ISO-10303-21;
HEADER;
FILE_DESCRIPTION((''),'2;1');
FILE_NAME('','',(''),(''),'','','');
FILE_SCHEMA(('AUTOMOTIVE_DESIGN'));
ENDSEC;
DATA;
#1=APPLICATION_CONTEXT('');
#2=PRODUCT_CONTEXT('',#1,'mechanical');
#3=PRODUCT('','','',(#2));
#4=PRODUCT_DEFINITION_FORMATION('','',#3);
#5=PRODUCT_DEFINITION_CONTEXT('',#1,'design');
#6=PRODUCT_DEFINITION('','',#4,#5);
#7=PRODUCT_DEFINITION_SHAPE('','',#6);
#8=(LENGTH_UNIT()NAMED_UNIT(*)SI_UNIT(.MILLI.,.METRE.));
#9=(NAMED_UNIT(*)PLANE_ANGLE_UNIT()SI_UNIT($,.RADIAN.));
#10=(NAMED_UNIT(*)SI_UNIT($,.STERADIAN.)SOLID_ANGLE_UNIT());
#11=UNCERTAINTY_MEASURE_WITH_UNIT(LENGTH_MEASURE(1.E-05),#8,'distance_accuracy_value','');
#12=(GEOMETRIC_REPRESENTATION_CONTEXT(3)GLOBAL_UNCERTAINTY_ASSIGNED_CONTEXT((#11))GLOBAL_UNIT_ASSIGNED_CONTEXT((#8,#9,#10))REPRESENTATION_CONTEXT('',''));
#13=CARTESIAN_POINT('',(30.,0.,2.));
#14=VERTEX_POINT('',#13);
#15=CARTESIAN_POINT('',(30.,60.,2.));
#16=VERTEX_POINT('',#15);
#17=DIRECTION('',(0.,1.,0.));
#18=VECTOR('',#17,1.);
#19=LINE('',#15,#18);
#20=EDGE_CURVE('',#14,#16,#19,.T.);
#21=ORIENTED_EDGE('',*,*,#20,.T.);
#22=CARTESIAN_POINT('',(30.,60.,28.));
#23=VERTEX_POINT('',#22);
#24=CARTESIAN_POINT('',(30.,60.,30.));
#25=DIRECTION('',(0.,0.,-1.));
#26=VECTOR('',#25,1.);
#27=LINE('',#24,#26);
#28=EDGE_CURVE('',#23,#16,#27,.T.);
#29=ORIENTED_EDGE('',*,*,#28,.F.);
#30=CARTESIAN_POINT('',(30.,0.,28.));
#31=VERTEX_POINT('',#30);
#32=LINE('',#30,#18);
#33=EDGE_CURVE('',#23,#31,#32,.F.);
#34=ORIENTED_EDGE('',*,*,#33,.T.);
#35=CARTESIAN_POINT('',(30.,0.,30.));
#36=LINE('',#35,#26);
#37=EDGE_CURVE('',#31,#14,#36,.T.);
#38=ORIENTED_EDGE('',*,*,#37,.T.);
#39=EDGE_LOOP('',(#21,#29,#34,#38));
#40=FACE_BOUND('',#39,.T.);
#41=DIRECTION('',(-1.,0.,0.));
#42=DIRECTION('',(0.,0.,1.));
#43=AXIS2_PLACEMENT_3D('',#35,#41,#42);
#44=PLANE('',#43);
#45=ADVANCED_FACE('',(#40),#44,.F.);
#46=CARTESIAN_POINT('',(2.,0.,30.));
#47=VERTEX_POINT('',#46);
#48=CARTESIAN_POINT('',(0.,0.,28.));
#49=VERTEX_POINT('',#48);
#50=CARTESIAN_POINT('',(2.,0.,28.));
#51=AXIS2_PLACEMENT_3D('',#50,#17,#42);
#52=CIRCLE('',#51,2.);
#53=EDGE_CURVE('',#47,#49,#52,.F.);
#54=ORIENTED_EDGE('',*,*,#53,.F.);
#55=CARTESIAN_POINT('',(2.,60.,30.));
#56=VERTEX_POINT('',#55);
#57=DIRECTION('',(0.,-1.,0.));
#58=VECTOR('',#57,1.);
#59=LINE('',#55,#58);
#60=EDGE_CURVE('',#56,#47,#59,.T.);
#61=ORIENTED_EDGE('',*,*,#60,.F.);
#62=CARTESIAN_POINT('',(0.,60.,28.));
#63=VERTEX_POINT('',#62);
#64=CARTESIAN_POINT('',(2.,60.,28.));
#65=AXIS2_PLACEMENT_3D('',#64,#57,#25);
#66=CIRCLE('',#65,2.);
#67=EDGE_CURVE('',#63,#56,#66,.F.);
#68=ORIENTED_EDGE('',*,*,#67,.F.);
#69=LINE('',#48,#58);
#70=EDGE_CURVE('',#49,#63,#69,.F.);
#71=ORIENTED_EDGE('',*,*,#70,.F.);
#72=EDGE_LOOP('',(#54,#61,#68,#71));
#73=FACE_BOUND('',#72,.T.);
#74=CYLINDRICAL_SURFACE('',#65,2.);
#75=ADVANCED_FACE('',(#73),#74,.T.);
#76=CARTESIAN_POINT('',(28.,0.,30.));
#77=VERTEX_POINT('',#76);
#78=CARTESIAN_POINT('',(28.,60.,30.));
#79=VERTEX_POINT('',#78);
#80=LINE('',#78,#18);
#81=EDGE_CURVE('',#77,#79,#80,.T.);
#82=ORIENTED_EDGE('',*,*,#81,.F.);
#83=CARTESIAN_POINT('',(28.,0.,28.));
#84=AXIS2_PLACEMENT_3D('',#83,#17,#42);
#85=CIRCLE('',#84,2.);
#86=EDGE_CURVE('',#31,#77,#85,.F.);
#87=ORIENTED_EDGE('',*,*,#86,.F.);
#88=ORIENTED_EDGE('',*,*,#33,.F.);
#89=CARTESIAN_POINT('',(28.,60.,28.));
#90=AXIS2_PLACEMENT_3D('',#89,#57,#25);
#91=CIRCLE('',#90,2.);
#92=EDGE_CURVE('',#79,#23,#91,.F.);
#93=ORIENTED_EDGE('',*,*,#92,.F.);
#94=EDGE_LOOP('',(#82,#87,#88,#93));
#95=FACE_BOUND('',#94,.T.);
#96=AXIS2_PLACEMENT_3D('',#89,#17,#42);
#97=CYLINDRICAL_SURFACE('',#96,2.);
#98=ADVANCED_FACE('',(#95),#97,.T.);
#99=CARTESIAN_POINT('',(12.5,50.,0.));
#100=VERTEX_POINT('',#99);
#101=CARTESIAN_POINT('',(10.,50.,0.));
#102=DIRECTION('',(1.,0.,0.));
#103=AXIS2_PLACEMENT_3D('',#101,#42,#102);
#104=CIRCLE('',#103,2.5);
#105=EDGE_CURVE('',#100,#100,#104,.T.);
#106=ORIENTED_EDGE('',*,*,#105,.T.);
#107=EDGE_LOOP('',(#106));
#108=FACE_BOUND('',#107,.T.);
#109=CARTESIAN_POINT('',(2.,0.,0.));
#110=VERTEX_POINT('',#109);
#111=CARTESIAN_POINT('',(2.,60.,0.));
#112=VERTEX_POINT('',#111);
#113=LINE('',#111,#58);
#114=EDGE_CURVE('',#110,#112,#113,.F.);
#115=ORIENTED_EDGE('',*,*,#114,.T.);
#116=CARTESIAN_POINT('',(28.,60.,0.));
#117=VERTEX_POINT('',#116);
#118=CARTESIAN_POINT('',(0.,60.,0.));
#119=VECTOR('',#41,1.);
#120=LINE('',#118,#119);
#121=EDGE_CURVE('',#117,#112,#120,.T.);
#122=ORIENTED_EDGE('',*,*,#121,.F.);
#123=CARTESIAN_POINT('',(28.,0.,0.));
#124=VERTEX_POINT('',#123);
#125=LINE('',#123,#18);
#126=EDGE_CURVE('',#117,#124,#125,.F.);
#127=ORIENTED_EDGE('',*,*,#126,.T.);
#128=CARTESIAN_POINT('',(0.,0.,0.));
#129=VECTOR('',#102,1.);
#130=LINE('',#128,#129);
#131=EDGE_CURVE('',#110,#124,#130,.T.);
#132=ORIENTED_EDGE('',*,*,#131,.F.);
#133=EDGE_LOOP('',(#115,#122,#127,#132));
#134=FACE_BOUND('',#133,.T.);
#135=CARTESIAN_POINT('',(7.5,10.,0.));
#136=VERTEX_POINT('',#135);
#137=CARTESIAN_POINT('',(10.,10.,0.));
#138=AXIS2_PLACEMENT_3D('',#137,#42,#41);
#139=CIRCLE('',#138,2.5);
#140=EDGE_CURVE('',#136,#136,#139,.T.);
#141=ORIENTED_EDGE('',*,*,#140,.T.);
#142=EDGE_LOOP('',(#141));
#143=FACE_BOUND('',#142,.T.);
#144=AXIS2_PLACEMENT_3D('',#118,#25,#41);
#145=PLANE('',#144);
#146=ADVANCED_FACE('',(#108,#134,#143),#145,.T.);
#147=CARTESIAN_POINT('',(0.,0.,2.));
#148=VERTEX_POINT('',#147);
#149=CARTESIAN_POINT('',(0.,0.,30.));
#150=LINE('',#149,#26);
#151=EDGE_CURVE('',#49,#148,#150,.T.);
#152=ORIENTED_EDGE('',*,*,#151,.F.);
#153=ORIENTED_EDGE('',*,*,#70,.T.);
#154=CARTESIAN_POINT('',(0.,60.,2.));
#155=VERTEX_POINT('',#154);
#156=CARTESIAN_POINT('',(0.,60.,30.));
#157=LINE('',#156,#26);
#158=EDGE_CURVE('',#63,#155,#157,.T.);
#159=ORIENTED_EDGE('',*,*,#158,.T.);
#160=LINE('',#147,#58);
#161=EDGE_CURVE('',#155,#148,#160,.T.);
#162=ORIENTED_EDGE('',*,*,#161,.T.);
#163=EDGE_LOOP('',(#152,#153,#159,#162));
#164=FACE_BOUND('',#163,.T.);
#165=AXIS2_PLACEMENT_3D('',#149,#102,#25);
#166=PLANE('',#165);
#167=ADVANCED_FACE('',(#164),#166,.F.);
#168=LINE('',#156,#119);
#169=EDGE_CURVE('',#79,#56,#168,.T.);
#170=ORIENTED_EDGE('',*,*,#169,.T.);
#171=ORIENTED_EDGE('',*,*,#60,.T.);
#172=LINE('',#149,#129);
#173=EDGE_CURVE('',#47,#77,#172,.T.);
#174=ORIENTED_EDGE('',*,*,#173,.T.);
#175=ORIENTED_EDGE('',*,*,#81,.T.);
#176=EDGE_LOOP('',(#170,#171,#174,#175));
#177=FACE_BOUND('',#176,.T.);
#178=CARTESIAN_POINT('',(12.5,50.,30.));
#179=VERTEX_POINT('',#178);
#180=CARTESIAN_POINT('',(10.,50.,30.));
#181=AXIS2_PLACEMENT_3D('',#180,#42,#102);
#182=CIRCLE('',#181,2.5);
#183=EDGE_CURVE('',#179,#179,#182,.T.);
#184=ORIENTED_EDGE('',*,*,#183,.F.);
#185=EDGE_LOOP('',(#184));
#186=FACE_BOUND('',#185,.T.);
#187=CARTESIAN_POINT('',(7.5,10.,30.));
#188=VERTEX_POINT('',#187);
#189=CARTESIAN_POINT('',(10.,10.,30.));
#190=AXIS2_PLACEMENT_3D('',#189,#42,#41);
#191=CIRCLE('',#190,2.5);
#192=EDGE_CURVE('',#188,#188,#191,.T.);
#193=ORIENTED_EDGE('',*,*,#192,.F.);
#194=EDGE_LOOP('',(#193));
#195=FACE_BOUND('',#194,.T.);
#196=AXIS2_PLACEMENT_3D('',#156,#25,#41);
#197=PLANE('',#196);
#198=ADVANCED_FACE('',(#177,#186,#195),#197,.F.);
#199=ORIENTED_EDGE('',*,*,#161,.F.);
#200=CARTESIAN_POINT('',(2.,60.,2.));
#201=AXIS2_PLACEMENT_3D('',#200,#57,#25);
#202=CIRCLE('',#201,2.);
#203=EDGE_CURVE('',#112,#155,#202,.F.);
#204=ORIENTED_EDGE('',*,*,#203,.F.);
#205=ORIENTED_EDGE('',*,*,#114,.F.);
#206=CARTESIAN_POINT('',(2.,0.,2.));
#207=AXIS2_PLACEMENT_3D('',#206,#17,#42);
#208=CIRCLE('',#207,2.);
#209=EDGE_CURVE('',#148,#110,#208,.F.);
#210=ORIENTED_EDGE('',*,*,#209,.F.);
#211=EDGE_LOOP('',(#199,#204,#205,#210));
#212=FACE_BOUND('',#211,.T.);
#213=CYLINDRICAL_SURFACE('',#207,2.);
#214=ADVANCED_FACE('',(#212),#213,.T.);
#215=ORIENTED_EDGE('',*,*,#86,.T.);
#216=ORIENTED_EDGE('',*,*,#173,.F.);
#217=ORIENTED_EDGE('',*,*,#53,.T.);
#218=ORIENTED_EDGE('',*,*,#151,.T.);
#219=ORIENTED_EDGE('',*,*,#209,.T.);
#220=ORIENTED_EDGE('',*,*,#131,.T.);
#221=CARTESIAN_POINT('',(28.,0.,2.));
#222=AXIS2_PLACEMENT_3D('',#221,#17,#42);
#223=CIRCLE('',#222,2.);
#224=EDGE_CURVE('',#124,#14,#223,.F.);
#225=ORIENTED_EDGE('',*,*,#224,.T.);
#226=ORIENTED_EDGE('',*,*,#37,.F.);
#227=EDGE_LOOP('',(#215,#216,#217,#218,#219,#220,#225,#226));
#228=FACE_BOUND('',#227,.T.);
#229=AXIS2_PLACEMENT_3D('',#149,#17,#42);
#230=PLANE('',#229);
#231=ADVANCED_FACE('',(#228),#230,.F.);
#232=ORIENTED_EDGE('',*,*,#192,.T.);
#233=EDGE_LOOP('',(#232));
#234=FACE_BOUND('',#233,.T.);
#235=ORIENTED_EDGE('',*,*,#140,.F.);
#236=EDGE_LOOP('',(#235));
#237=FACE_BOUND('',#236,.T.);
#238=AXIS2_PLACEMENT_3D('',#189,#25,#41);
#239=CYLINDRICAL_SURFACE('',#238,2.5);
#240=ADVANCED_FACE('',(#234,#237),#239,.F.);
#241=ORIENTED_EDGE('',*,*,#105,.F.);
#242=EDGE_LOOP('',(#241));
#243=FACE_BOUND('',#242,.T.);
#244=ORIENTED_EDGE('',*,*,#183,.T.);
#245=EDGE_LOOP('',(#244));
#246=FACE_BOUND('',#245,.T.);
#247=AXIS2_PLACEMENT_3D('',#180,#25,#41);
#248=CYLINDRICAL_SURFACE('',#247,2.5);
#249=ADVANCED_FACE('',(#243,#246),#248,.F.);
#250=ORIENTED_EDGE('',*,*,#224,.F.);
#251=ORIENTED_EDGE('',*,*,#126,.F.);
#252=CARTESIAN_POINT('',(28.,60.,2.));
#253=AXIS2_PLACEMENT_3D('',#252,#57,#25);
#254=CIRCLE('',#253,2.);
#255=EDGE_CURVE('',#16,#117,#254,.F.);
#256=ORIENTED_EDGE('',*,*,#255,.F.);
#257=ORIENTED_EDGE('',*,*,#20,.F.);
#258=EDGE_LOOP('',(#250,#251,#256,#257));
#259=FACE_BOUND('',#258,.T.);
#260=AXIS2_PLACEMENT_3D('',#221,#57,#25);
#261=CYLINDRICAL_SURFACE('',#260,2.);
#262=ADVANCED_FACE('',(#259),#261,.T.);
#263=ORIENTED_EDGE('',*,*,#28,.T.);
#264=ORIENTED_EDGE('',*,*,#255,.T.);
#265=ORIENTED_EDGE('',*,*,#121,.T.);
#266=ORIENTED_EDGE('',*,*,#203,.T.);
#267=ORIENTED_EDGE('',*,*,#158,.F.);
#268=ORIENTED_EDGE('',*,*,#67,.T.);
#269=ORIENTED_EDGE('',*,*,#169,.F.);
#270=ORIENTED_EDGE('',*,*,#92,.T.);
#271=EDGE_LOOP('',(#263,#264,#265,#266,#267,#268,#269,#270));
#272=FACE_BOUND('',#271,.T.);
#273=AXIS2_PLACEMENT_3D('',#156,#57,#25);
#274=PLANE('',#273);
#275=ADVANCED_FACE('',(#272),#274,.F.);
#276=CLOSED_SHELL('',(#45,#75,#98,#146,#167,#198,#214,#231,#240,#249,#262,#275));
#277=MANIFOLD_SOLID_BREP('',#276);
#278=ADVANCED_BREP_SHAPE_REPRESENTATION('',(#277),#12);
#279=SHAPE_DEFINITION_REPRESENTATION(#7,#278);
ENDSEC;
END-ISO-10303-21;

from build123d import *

# Parameters (mm, degrees)
ESQUISSE1_W      = 30
ESQUISSE1_H      = 60
ESQUISSE1_R      = 2.5
EXTRUSION1_DEPTH = 30
CONG_1_R         = 2


with BuildPart() as part:
    # Esquisse1 → Extrusion1 (new body)
    with BuildSketch(Plane.XY):
        with Locations((15, 30)):
            Rectangle(ESQUISSE1_W, ESQUISSE1_H)
        with Locations((10, 50)):
            Circle(ESQUISSE1_R, mode=Mode.SUBTRACT)
        with Locations((10, 10)):
            Circle(ESQUISSE1_R, mode=Mode.SUBTRACT)
    extrude(amount=EXTRUSION1_DEPTH)

    # Congé1
    cong_1_edges = [part.edges().sort_by_distance(p)[0] for p in [
        (30, 30, 30),
        (0, 30, 30),
        (30, 30, 0),
        (0, 30, 0),
    ]]
    fillet(cong_1_edges, radius=CONG_1_R)


solid = part.part
